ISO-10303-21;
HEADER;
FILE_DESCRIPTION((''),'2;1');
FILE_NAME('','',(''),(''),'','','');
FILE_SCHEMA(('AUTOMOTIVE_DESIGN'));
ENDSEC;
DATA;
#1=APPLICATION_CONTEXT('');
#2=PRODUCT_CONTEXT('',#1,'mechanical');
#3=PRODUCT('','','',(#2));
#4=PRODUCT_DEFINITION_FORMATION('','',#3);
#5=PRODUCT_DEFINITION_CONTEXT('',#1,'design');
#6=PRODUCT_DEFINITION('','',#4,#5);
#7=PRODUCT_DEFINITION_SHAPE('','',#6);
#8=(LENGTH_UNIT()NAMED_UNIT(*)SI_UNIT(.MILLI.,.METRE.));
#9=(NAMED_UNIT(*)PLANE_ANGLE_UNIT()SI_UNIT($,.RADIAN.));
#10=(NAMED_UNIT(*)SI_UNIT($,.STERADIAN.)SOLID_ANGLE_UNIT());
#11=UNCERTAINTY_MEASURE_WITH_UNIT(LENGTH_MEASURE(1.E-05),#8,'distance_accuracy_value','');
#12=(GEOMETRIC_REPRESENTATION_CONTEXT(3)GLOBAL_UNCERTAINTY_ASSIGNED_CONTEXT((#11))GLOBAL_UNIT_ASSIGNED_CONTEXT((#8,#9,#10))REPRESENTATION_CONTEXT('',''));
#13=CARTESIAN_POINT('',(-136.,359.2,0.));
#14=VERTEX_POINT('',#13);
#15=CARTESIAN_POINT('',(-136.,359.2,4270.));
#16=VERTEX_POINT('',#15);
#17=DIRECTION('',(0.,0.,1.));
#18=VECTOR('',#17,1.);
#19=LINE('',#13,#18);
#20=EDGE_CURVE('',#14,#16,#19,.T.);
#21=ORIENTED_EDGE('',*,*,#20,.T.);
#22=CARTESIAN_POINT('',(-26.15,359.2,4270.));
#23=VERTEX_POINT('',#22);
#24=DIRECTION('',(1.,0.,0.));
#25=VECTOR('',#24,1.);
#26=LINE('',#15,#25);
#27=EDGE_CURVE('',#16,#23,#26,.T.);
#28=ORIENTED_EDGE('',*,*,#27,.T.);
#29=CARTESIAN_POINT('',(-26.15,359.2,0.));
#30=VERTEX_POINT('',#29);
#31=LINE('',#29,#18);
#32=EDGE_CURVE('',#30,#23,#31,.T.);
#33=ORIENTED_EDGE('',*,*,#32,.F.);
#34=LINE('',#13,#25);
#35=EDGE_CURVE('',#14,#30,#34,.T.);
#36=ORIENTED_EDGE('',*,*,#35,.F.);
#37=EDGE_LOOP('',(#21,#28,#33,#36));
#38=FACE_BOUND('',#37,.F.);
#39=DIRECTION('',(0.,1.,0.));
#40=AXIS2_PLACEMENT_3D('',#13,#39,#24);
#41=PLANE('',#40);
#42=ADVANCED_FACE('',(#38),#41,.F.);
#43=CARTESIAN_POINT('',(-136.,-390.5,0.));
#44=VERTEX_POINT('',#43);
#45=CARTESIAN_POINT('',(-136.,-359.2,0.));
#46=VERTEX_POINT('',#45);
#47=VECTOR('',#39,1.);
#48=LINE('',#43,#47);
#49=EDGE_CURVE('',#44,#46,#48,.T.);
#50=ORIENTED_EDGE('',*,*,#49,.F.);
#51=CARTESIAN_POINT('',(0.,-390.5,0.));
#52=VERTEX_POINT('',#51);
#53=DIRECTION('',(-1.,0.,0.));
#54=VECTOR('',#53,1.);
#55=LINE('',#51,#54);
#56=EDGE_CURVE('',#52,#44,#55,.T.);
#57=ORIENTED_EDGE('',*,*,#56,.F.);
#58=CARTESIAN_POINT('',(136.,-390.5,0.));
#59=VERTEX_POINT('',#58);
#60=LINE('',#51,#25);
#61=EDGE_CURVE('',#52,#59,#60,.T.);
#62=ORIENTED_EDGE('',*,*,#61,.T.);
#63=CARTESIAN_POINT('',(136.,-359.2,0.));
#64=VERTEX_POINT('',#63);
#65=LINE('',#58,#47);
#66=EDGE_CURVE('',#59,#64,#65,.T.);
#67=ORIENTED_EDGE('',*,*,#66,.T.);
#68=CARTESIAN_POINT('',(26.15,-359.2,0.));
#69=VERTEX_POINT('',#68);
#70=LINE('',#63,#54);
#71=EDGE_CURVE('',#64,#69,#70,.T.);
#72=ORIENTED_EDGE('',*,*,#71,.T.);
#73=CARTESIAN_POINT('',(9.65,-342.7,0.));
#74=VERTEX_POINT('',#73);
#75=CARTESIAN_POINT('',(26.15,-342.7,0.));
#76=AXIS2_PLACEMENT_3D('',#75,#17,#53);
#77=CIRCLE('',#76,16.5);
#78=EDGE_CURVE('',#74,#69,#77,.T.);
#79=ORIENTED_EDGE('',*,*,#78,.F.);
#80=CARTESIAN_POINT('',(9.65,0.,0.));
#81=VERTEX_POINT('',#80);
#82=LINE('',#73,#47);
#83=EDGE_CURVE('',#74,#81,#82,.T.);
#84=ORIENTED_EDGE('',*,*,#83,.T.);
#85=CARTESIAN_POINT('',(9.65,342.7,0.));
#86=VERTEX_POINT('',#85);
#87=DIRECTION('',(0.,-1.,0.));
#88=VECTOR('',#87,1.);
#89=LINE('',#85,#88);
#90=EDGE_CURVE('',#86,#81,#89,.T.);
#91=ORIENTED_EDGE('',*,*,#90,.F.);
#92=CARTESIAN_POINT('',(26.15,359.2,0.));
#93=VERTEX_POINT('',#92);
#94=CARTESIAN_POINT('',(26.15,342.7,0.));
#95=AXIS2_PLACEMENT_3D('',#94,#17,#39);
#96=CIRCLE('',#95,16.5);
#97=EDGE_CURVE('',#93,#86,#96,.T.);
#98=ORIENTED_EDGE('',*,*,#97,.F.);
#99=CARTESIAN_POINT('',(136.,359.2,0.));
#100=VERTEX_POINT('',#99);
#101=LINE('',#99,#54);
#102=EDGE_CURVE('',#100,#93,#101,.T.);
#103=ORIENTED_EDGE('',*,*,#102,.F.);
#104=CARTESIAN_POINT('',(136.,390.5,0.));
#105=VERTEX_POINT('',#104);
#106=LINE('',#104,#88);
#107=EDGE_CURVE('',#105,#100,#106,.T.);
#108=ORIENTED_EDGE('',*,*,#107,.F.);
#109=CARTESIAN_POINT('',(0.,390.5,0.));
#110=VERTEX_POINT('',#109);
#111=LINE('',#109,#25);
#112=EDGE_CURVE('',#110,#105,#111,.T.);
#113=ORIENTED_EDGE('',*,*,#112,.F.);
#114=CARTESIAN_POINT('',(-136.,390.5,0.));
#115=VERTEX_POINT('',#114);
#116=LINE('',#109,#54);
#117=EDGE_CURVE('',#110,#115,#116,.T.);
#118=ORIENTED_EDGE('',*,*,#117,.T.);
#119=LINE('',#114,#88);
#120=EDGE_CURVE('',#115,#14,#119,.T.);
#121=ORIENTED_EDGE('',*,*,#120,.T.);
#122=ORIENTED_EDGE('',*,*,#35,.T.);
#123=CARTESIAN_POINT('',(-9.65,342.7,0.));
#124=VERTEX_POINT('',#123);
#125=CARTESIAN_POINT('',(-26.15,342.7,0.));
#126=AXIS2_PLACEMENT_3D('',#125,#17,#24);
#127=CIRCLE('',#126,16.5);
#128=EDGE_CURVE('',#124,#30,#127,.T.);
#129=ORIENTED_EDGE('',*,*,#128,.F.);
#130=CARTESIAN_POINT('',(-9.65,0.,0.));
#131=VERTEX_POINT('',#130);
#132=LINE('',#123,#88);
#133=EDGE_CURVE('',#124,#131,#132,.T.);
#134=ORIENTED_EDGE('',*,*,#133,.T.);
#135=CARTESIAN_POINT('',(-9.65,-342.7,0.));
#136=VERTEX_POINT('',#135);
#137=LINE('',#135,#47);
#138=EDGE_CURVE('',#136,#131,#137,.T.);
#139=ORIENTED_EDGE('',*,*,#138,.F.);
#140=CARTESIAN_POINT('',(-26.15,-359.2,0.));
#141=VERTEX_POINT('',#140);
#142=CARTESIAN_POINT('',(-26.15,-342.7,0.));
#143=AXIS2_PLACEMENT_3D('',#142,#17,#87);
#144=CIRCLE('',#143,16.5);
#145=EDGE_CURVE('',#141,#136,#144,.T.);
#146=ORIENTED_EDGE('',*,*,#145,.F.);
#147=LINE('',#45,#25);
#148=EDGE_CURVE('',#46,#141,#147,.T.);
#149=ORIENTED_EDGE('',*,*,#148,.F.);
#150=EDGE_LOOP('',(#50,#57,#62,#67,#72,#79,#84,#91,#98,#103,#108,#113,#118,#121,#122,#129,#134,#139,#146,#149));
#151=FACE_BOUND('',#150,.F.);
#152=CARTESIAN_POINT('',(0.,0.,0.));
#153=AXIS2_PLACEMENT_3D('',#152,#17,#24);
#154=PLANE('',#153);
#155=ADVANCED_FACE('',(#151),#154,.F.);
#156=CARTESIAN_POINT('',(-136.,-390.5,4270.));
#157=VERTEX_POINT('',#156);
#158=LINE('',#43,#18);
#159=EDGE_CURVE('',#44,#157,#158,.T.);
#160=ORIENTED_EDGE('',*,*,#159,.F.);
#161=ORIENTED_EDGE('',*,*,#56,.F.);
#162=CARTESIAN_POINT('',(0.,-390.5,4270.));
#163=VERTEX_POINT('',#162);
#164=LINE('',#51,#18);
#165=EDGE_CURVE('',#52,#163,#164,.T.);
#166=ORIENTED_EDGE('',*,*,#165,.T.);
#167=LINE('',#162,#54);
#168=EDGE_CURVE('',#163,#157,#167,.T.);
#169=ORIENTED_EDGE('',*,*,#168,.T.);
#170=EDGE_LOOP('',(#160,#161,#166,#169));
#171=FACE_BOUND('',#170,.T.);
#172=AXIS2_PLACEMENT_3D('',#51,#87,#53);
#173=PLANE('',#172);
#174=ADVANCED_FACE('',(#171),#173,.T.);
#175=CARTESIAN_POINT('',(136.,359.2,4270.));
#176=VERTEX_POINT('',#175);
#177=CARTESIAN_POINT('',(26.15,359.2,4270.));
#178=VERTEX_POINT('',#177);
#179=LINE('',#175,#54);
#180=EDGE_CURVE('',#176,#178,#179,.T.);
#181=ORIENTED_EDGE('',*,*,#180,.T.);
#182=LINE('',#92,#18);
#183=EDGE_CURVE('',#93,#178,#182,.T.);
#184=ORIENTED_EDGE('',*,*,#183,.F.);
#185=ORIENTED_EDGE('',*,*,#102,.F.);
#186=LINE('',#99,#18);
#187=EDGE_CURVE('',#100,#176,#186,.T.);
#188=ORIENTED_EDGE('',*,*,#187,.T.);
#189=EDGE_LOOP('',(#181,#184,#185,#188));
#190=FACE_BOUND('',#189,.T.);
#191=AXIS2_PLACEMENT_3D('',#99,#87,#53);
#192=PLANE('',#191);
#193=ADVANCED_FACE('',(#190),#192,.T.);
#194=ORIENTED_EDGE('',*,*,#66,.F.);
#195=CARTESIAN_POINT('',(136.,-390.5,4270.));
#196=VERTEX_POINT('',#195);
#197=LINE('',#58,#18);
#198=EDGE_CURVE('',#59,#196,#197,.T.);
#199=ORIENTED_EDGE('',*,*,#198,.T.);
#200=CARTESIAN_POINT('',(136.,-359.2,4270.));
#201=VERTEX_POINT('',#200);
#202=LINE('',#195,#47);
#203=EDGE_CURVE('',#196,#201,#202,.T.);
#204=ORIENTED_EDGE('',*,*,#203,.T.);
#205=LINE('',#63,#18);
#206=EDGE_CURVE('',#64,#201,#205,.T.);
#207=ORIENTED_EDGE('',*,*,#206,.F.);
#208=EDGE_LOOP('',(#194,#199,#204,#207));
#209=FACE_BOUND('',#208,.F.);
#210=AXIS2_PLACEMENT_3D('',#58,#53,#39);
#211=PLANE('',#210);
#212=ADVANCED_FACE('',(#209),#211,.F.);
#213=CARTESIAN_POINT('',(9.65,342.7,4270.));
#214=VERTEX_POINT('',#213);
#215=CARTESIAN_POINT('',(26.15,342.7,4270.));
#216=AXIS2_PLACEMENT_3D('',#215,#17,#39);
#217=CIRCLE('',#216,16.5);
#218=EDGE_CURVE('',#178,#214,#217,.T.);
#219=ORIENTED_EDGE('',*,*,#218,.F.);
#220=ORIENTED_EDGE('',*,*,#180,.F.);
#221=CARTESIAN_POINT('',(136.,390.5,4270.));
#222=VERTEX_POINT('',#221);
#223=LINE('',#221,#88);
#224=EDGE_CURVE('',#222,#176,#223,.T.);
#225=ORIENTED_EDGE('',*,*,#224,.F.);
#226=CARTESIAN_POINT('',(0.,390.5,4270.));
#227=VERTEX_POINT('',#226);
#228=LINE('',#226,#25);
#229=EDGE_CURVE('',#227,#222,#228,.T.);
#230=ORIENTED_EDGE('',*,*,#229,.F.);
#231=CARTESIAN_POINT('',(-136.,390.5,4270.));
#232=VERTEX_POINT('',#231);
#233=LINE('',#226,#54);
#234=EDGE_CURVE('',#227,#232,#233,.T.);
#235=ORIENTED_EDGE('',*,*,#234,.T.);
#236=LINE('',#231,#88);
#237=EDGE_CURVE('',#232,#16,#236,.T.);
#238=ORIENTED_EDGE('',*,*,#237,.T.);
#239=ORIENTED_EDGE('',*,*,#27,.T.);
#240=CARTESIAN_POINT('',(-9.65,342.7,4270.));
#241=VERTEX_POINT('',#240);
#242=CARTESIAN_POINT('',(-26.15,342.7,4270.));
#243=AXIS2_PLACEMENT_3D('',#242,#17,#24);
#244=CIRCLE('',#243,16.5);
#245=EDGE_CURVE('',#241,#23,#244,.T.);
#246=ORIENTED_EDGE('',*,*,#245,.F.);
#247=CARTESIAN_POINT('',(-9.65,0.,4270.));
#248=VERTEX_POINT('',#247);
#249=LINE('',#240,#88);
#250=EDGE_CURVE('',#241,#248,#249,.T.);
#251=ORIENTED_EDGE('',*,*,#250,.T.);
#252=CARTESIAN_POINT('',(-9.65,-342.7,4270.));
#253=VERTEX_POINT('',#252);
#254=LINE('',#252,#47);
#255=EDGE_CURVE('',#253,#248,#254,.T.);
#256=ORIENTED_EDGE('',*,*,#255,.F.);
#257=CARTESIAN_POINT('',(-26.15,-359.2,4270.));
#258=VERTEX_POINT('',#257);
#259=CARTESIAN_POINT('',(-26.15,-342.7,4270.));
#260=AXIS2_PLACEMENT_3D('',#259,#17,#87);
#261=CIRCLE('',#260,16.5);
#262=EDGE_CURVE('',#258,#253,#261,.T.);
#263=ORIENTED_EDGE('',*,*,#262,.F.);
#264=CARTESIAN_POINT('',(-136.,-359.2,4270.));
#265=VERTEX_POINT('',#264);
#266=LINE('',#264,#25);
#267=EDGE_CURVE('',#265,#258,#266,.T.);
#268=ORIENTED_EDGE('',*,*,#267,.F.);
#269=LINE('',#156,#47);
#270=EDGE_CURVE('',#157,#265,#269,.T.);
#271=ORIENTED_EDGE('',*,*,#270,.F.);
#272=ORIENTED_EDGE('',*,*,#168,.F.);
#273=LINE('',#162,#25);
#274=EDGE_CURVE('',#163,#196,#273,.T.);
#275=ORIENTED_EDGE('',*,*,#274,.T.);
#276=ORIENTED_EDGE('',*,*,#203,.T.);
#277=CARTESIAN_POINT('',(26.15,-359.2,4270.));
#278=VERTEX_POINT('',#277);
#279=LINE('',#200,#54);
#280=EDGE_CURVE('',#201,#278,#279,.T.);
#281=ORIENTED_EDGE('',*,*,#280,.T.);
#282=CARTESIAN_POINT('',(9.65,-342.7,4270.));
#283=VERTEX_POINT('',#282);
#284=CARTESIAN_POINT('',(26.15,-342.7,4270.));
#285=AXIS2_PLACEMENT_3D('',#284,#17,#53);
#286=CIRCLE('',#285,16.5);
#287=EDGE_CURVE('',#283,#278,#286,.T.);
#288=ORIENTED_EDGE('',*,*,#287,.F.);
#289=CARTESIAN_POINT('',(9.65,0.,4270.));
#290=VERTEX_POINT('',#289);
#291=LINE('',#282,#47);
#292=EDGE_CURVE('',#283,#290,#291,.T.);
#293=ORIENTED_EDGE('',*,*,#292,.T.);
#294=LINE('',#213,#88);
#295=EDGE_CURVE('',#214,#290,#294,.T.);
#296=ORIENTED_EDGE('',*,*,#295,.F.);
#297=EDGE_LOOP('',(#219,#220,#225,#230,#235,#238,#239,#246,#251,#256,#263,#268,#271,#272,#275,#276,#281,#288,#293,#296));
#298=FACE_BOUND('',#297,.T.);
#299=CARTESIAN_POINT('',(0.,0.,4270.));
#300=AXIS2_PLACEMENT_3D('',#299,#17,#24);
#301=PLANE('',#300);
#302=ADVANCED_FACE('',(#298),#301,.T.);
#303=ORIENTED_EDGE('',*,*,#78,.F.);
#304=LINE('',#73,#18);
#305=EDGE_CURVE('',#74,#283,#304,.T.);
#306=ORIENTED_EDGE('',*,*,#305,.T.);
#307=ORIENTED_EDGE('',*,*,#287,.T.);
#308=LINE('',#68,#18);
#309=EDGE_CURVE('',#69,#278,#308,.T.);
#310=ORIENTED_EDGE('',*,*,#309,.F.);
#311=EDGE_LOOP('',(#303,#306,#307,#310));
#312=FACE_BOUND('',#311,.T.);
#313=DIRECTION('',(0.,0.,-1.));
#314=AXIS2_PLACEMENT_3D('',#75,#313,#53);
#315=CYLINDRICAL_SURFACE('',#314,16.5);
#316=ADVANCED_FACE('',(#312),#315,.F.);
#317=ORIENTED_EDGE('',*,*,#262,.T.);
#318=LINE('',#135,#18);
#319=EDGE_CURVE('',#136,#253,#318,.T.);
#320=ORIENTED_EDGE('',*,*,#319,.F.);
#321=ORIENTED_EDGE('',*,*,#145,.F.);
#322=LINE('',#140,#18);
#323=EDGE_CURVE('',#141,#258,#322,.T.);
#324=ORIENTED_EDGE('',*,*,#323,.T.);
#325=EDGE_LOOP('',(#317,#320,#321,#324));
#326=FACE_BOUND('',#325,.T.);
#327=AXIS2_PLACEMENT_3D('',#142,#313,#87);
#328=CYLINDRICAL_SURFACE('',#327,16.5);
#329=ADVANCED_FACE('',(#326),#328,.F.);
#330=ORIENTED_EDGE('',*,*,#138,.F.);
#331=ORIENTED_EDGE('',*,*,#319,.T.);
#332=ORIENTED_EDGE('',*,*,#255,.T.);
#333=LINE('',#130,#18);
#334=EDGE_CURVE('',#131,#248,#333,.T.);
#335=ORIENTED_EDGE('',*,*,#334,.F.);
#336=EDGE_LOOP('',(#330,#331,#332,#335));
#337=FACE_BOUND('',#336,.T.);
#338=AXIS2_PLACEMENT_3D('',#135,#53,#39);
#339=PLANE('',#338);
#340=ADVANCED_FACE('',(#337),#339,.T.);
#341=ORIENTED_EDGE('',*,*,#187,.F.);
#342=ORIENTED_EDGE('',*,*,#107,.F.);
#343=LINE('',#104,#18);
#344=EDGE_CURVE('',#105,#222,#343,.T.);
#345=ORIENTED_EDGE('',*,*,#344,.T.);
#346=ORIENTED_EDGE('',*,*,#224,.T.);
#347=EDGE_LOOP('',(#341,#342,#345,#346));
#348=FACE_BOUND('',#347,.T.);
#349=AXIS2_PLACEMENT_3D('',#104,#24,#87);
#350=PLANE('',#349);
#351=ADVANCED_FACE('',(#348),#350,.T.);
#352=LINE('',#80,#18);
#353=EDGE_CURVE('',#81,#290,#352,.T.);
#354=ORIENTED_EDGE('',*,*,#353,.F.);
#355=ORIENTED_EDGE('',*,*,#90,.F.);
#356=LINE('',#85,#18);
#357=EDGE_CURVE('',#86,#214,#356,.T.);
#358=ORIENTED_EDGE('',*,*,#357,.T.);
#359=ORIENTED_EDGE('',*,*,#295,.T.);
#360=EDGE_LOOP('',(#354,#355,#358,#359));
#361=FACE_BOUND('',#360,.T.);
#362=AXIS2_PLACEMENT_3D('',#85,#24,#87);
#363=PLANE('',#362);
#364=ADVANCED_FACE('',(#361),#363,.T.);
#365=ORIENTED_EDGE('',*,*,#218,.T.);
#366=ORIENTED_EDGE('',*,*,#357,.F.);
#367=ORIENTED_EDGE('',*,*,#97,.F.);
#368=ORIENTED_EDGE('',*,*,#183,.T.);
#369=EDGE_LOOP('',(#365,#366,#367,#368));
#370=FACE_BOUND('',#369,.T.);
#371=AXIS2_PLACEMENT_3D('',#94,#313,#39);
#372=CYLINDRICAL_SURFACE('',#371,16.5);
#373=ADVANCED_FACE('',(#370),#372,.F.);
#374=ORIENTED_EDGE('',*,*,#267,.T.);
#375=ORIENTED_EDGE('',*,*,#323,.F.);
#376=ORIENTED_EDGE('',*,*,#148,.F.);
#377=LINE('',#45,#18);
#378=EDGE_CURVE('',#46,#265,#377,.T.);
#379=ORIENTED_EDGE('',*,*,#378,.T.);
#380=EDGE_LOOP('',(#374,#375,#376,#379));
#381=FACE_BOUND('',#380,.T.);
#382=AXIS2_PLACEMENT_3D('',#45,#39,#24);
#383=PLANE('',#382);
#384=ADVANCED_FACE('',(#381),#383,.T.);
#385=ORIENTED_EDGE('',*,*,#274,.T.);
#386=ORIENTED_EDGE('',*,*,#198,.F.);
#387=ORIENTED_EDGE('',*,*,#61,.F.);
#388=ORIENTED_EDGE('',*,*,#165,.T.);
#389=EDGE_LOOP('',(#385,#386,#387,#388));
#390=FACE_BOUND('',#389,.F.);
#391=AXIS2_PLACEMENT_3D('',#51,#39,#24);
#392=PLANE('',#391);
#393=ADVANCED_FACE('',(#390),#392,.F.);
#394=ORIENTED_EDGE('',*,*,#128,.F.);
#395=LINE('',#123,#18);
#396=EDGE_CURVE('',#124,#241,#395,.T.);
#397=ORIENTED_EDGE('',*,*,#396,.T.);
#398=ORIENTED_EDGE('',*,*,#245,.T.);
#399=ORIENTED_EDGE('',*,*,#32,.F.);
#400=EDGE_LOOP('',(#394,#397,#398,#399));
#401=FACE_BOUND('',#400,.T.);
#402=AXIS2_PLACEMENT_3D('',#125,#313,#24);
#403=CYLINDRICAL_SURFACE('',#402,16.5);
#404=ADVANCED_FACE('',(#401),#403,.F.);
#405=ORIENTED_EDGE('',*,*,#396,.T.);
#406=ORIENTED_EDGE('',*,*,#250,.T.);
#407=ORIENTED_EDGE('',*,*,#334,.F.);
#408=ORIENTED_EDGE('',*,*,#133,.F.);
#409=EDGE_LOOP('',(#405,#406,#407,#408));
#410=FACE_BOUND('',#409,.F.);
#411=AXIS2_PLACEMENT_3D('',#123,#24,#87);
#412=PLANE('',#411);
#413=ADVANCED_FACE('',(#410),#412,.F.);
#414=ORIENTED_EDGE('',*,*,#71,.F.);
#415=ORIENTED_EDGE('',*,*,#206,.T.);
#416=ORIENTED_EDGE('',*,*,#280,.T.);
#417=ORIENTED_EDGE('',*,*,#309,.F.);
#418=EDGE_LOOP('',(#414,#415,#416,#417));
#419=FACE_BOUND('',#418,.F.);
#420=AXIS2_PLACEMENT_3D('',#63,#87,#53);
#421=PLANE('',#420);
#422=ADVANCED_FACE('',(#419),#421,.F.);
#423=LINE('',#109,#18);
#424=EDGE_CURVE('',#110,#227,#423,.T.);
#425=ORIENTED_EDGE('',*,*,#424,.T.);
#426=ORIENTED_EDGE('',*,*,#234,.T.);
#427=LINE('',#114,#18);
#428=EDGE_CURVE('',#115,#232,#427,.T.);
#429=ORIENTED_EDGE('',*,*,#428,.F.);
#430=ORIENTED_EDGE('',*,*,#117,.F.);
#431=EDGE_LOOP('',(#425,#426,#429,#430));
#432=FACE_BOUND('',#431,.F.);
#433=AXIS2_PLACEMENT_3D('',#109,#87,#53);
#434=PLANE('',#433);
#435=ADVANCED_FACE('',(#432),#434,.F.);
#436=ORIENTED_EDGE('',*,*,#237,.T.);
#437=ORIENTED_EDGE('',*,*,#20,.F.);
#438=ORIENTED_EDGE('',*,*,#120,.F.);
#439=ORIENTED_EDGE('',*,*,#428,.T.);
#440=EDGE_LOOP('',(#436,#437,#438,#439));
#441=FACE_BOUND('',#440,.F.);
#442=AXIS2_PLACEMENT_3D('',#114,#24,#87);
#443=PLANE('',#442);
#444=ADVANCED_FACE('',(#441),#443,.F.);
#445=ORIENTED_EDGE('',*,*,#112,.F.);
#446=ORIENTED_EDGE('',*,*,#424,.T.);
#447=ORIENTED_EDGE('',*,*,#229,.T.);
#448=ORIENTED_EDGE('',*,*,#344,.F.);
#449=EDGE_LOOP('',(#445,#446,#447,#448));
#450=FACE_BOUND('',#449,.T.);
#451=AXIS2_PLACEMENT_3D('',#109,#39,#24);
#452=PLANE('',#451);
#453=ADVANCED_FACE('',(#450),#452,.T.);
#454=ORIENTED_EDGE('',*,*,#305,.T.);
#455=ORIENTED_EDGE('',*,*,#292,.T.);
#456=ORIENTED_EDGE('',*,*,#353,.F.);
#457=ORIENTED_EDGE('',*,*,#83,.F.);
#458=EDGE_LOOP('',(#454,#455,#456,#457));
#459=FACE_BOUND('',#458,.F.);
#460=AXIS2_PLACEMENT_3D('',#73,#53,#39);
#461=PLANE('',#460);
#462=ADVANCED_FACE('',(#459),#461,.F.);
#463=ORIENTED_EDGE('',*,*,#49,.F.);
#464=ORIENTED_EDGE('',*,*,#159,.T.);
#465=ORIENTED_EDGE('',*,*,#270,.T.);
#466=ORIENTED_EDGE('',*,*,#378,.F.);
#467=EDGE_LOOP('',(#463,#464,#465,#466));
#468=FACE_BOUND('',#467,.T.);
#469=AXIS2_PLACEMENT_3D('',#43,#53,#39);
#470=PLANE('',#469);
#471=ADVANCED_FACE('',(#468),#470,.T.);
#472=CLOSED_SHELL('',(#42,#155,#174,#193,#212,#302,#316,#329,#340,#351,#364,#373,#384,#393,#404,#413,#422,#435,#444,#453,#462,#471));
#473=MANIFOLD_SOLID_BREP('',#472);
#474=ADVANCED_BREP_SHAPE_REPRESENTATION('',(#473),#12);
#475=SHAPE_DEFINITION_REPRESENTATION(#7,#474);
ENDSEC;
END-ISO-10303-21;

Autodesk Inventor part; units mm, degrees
ref_plane "YZ Plane" through (0, 0, 0) normal (1, 0, 0) x (0, 1, 0)
ref_plane "Start plane" through (0, 0, 0) normal (0, 0, 1) x (1, 0, 0)
ref_plane "End plane" through (0, 0, 4270) normal (0, 0, 1) x (1, 0, 0)
sketch "Sketch" plane through (0, 0, 0) normal (0, 0, 1) x (1, 0, 0)
  line L0 (-136, -390.5) -> (-136, -359.2)
  line L1 (-136, -359.2) -> (-26.15, -359.2)
  line L2 (-9.65, -342.7) -> (-9.65, 0)
  line L3 (-9.65, 0) -> (0, 0) construction
  line L4 (0, 0) -> (0, -390.5) construction
  line L5 (0, -390.5) -> (-136, -390.5)
  line L6 (-60, 0) -> (80, 0) construction
  line L7 (0, -60) -> (0, 80) construction
  line L8 (136, -390.5) -> (136, -359.2)
  line L9 (136, -359.2) -> (26.15, -359.2)
  line L10 (9.65, -342.7) -> (9.65, 0)
  line L11 (9.65, 0) -> (0, 0) construction
  line L12 (0, -390.5) -> (136, -390.5)
  line L13 (-136, 390.5) -> (-136, 359.2)
  line L14 (-136, 359.2) -> (-26.15, 359.2)
  line L15 (-9.65, 342.7) -> (-9.65, 0)
  line L16 (0, 390.5) -> (-136, 390.5)
  line L17 (136, 390.5) -> (136, 359.2)
  line L18 (136, 359.2) -> (26.15, 359.2)
  line L19 (0, 390.5) -> (136, 390.5)
  line L20 (9.65, 342.7) -> (9.65, 0)
  arc A0 (-9.65, 342.7) -> (-26.15, 359.2) centre (-26.15, 342.7) ccw
  arc A1 (26.15, 359.2) -> (9.65, 342.7) centre (26.15, 342.7) ccw
  arc A2 (9.65, -342.7) -> (26.15, -359.2) centre (26.15, -342.7) ccw
  arc A3 (-26.15, -359.2) -> (-9.65, -342.7) centre (-26.15, -342.7) ccw
  line L21 (0, 108) -> (0, -88) construction
  line L22 (-88, 0) -> (108, 0) construction
  point P0 (-9.65, -359.2)
  point P1 (9.65, -359.2)
  point P2 (-9.65, 359.2)
  point P3 (9.65, 359.2)
  dimension "d1" = 390.5
  dimension "d2" = 31.3
  dimension "d3" = 136
  dimension "d4" = 9.65
  dimension "d10" = 16.5
extrude "Body" add sketch "Sketch" along normal up to surface (4270 mm away) from surface at 0
sketch "Sketch4" plane through (0, 0, 0) normal (0, 0, 1) x (1, 0, 0)
  line L0 (0, 0) -> (10, 0)
ref_plane "Work Plane3" through (0, 0, 0) normal (0, -1, 0) x (1, 0, 0)
sketch "Sketch5" plane through (0, 0, 0) normal (0, -1, 0) x (1, 0, 0)
  line L0 (-2, 0) -> (12, 0) projected
  line L1 (-2, 4270) -> (12, 4270) projected
  dimension "d14" = 4270
equation "\"d1\" = 0.5 * G_H"
equation "\"d2\" = G_T1"
equation "\"d3\" = 0.5 * G_W"
equation "\"d4\" = 0.5 * G_T"
equation "\"d10\" = G_IR"
equation "\"d5\" = G_L"
equation "\"G_W\" = 272"
equation "\"G_H\" = 781"
equation "\"G_T\" = 19.3"
equation "\"G_T1\" = 31.3"
equation "\"G_IR\" = 16.5"
equation "\"G_L\" = d14"
equation "\"G_OFFSET_START\" = 0"
equation "\"G_OFFSET_END\" = 0"
properties part number "AS 3679-1990 - 760 UB - 244 - 4270" material "Steel, Mild"
